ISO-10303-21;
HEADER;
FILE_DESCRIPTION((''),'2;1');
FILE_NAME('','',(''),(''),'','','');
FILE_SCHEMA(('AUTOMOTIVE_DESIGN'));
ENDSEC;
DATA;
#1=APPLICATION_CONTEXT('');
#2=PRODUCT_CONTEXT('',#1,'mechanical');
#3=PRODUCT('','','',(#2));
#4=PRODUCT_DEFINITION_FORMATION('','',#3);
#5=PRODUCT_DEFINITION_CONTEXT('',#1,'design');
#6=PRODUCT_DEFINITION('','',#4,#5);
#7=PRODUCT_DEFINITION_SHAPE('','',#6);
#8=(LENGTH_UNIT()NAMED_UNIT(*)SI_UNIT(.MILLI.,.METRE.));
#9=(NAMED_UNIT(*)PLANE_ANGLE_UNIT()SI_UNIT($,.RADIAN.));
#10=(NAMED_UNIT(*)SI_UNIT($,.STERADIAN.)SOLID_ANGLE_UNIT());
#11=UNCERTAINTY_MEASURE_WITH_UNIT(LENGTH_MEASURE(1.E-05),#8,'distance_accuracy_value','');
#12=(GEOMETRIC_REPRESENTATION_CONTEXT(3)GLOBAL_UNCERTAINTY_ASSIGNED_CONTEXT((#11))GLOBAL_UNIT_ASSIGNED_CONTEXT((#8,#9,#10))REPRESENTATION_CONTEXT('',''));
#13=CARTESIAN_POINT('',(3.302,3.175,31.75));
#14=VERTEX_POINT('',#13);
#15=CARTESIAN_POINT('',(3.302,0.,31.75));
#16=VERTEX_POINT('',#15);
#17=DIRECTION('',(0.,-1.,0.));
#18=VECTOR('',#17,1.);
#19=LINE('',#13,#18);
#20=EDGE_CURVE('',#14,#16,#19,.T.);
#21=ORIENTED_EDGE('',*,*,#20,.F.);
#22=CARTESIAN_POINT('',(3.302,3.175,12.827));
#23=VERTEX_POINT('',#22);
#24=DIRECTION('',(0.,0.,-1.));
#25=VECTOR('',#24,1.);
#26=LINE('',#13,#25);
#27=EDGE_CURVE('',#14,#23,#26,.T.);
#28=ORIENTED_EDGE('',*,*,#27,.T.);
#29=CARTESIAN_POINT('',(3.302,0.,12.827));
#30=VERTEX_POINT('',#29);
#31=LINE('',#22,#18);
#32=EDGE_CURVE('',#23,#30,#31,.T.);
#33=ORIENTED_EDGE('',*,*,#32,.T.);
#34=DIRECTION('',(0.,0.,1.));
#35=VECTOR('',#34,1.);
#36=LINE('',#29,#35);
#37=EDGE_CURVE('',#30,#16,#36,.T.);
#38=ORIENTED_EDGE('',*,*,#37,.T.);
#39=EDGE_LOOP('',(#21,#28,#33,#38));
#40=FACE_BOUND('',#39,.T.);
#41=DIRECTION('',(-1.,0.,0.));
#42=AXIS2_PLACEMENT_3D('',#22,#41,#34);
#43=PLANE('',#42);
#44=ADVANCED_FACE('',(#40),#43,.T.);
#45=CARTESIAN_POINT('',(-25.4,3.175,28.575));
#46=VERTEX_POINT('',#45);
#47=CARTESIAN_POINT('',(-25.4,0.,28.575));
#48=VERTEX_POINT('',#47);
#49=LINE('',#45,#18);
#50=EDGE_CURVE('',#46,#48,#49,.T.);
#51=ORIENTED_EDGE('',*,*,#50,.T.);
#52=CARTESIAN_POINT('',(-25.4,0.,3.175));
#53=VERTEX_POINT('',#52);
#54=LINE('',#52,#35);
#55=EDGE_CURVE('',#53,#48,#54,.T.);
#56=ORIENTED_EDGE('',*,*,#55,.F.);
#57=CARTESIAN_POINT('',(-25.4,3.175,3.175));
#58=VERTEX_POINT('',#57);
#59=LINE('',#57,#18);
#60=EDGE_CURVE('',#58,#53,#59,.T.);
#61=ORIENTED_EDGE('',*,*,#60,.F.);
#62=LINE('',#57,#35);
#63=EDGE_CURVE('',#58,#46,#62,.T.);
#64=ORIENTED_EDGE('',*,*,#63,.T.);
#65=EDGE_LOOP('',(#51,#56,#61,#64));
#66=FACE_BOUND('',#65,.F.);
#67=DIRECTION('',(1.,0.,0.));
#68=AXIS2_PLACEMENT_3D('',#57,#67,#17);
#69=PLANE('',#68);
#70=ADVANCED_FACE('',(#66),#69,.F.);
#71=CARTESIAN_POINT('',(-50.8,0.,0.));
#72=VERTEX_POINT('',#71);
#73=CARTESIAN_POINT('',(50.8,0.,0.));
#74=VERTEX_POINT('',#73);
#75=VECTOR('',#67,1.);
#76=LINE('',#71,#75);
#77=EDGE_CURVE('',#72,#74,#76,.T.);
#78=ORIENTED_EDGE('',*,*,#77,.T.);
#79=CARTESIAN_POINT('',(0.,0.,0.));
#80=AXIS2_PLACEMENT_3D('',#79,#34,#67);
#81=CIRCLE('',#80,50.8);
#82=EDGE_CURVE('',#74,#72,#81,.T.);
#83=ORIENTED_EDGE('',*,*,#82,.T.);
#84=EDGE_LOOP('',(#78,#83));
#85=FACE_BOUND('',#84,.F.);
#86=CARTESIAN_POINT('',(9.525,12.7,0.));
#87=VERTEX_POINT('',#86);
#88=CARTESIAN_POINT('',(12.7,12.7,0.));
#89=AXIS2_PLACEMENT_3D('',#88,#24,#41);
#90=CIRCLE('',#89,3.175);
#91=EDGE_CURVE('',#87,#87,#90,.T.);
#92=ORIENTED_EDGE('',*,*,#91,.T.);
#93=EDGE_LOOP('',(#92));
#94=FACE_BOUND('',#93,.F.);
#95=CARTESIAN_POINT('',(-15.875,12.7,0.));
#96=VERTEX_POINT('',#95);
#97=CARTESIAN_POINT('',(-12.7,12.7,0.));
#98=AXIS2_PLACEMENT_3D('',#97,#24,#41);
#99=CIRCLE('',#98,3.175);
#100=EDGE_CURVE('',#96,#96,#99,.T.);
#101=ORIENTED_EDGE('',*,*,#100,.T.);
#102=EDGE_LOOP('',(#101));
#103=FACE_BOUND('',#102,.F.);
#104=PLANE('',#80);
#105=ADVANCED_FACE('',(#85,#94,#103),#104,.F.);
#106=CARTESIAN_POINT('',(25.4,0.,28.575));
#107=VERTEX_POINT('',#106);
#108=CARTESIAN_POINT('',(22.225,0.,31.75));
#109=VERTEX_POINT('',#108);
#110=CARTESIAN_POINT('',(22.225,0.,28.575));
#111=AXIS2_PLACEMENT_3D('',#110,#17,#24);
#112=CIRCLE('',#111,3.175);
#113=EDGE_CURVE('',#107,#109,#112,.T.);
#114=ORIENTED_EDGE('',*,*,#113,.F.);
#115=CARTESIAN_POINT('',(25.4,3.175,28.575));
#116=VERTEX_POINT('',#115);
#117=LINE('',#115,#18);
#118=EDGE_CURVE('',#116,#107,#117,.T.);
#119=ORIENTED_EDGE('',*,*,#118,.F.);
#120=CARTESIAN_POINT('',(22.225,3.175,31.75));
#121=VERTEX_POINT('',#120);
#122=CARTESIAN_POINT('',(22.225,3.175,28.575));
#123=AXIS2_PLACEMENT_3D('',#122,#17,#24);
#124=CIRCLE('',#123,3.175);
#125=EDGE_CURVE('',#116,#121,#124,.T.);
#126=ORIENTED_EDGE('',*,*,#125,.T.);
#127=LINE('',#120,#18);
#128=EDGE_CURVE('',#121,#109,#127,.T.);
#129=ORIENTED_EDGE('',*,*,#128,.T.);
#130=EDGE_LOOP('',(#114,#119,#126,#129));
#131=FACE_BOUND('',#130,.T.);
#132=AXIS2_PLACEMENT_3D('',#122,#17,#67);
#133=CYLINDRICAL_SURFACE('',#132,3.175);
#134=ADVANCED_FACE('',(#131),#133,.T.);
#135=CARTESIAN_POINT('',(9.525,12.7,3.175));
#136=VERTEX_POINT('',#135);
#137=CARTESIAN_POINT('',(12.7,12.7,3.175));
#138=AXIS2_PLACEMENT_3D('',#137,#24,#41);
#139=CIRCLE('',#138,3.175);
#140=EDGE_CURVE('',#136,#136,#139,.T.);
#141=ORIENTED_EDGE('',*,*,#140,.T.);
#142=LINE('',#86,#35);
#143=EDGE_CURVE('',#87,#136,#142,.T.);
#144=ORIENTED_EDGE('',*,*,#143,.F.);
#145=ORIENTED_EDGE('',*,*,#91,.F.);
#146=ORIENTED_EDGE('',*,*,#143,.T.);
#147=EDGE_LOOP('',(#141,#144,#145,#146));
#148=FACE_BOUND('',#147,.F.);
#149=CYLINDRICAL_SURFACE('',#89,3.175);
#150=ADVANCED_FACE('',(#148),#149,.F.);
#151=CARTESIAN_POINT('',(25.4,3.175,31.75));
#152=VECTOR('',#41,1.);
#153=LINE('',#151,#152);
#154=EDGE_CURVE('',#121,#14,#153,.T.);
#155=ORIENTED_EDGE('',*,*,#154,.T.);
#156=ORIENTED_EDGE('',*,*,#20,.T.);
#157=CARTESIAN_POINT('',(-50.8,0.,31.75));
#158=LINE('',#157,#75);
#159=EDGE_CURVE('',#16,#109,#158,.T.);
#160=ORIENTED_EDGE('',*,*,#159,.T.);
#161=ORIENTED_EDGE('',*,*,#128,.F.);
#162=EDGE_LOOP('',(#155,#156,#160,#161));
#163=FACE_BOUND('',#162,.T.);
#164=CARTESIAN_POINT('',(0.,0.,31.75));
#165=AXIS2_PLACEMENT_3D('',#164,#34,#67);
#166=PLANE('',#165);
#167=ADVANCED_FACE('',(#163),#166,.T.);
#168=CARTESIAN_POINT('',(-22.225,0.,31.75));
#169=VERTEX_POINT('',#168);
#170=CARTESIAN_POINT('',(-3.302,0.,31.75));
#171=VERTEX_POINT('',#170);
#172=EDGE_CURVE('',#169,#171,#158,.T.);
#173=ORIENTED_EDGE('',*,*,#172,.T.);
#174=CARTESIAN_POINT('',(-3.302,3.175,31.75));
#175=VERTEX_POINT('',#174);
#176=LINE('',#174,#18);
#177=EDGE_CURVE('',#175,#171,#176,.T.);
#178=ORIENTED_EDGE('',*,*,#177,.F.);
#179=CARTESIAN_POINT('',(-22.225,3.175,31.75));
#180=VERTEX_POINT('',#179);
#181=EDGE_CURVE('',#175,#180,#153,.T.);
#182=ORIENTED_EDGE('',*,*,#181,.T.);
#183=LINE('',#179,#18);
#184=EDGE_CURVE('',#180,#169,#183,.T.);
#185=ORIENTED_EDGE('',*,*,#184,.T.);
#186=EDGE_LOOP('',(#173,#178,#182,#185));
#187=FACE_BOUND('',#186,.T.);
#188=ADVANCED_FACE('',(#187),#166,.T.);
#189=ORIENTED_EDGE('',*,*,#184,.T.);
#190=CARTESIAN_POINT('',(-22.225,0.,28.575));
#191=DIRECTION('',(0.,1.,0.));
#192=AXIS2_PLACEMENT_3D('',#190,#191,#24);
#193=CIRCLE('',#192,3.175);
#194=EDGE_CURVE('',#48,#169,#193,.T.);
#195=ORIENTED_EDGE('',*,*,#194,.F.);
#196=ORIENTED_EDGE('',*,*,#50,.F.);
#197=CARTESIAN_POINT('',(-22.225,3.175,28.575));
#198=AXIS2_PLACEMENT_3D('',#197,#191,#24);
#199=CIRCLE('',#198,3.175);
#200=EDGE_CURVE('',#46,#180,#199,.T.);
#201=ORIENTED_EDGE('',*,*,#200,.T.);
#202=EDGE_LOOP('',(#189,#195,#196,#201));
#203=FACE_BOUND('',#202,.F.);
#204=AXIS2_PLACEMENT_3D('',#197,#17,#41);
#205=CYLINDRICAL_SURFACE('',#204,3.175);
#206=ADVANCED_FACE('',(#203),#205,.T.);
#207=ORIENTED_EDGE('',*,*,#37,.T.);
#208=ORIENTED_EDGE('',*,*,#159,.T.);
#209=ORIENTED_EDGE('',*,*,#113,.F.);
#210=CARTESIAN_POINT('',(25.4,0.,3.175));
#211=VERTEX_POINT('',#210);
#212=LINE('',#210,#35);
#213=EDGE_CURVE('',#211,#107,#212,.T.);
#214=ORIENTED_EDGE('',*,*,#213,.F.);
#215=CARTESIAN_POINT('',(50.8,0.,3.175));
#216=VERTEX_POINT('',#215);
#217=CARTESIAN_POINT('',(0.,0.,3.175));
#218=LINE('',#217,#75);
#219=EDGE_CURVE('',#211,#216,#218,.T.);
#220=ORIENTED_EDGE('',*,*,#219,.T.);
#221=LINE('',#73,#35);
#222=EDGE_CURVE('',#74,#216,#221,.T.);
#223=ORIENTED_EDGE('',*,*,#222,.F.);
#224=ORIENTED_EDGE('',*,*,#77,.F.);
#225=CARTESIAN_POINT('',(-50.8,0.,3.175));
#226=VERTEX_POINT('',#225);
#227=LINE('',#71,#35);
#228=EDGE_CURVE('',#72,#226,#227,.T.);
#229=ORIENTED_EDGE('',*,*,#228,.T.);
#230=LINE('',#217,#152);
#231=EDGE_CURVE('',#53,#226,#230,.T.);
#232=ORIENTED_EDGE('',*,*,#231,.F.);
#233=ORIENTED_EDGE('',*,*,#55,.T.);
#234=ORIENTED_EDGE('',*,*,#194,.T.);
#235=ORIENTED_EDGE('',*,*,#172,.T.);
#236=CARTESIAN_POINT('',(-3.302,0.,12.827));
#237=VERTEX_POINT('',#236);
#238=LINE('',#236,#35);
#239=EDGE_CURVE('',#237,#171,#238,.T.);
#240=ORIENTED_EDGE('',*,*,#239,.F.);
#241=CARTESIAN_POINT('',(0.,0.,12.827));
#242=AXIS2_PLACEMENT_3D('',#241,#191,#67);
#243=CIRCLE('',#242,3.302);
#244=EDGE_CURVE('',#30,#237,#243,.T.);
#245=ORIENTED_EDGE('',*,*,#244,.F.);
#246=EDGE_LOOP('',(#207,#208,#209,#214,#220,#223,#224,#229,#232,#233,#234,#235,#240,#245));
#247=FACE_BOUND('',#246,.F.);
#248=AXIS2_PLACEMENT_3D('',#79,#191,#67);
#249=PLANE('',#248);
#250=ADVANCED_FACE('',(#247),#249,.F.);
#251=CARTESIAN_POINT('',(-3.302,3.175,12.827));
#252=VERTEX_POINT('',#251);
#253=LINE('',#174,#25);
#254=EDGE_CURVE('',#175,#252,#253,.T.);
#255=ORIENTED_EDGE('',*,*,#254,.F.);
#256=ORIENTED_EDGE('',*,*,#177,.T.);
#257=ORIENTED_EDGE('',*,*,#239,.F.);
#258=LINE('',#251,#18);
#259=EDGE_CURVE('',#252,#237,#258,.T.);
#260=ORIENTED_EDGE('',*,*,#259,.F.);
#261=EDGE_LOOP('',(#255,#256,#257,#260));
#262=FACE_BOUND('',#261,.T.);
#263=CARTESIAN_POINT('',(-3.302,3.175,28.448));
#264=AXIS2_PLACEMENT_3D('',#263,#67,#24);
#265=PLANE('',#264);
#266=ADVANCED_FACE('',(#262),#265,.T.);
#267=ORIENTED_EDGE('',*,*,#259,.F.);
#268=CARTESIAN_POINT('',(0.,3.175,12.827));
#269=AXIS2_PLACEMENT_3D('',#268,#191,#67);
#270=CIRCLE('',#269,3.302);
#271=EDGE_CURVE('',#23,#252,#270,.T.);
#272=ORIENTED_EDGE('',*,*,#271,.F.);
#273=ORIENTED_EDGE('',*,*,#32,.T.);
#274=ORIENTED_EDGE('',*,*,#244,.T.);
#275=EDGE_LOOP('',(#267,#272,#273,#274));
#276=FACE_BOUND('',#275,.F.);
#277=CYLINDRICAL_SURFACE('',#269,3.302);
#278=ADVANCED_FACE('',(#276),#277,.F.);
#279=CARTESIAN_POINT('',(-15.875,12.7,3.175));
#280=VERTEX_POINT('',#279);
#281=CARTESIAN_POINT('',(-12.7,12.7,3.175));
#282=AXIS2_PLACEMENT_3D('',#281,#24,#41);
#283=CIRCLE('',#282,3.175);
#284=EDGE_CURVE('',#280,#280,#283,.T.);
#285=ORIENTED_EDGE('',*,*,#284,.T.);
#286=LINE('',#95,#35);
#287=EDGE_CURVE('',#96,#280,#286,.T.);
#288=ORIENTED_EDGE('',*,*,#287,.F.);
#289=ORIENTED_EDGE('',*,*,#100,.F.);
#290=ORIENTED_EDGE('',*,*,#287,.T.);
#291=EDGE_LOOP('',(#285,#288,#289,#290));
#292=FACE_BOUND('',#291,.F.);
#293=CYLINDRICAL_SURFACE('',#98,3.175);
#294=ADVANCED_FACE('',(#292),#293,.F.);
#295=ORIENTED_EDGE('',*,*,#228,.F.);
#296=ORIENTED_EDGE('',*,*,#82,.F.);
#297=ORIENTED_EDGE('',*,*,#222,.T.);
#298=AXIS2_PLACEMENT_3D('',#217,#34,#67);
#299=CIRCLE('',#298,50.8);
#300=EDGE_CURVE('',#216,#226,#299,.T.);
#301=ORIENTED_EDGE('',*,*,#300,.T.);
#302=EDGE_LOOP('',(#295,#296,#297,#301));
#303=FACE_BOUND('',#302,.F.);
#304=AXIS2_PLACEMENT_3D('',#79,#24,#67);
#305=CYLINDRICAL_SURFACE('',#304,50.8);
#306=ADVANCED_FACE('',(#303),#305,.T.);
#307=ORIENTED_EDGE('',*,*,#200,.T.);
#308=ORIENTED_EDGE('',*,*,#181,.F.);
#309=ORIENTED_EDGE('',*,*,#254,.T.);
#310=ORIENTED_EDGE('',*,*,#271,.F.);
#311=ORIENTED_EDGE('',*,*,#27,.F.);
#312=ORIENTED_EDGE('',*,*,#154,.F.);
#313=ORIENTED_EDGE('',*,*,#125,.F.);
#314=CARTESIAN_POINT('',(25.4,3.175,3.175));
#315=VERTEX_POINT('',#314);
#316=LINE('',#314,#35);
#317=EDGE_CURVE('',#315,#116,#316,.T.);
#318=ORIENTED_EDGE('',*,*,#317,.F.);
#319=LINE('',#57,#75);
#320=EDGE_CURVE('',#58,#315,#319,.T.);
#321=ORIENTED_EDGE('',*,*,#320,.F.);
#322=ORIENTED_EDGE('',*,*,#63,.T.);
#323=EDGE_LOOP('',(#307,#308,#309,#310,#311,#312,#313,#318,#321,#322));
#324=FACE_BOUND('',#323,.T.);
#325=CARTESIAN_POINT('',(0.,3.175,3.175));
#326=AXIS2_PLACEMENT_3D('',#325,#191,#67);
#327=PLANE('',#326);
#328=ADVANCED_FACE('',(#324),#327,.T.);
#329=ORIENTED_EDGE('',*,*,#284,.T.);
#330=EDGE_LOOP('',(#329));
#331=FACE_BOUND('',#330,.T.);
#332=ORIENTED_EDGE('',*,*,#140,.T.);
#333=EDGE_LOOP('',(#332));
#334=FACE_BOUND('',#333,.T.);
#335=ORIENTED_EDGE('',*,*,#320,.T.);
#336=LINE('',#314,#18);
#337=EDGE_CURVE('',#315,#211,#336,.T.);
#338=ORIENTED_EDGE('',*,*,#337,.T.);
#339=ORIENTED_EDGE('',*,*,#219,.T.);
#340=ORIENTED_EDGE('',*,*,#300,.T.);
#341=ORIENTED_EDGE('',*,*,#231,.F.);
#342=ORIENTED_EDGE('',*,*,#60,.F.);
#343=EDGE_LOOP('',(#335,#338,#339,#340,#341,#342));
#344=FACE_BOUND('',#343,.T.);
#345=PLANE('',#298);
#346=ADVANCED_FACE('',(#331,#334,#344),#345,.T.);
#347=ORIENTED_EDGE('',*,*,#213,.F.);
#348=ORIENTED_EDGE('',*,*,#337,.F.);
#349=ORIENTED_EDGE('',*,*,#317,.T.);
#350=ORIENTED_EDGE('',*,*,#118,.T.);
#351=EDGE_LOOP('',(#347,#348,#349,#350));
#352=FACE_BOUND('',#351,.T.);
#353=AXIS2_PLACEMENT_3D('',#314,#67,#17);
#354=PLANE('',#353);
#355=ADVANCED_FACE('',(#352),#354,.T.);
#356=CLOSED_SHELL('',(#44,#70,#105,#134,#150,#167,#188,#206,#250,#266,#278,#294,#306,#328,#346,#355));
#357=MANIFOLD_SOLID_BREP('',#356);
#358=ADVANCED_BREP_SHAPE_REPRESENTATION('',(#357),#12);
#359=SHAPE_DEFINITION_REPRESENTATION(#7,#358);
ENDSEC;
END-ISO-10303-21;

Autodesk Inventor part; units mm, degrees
ref_plane "YZ Plane" through (0, 0, 0) normal (1, 0, 0) x (0, 1, 0)
ref_plane "XZ Plane" through (0, 0, 0) normal (0, 1, 0) x (-1, 0, 0)
ref_plane "XY Plane" through (0, 0, 0) normal (0, 0, 1) x (1, 0, 0)
sketch "Sketch1" plane through (0, 0, 0) normal (0, 0, 1) x (1, 0, 0)
  arc A0 (50.8, 0) -> (-50.8, 0) centre (0, 0) ccw
  line L0 (0, 0) -> (50.8, 0)
  line L1 (0, 0) -> (-50.8, 0)
  dimension "d0" = 101.6
extrude "Extrusion1" add sketch "Sketch1" along normal blind 3.175
sketch "Sketch2" plane through (0, 0, 3.175) normal (0, 0, 1) x (1, 0, 0)
  arc A0 (50.8, 0) -> (-50.8, 0) centre (0, 0) ccw projected
  arc A1 (50.8, 0) -> (-50.8, 0) centre (0, 0) ccw projected
  line L0 (-50.8, 0) -> (50.8, 0) projected
  line L1 (0, 3.175) -> (0, 0) construction
  line L2 (0, 3.175) -> (25.4, 3.175)
  line L3 (25.4, 3.175) -> (25.4, 0)
  line L4 (-50.8, 0) -> (50.8, 0) projected
  line L5 (0, 3.175) -> (-25.4, 3.175)
  line L6 (-25.4, 3.175) -> (-25.4, 0)
  dimension "d6" = 25.4
  dimension "d7" = 3.175
extrude "Extrusion2" add sketch "Sketch2" along normal blind 28.575 contours L0 L6 L5 L2 L3
fillet "Fillet1" radius 3.175 2 edges at (25.4, 1.5875, 31.75) (-25.4, 1.5875, 31.75)
sketch "Sketch3" plane through (-25.4, 3.175, 3.175) normal (0, 1, 0) x (1, 0, 0)
  line L0 (25.4, 3.175) -> (25.4, -28.575) construction
  line L1 (3.175, -28.575) -> (47.625, -28.575) construction
  line L2 (25.4, -28.575) -> (25.4, -6.35) construction
  line L3 (22.098, -25.273) -> (22.098, -9.652)
  line L4 (28.702, -9.652) -> (28.702, -25.273)
  arc A0 (22.098, -25.273) -> (28.702, -25.273) centre (25.4, -25.273) ccw
  arc A1 (28.702, -9.652) -> (22.098, -9.652) centre (25.4, -9.652) ccw
  line L5 (0, 0) -> (50.8, 0) projected
  line L6 (22.098, -25.273) -> (22.098, -28.575)
  line L7 (28.702, -25.273) -> (28.702, -28.575)
  line L8 (22.098, -28.575) -> (28.702, -28.575)
  point P0 (25.4, -17.4625)
  dimension "d11" = 6.35
  dimension "d12" = 6.604
extrude "Extrusion3" cut sketch "Sketch3" against normal up to surface (3.175 mm away)
sketch "Sketch4" plane through (0, 0, 0) normal (0, 0, -1) x (-1, 0, 0)
  line L0 (0, 0) -> (0, 12.7) construction
  line L1 (0, 12.7) -> (12.7, 12.7) construction
  circle A0 centre (12.7, 12.7) radius 3.175
  circle A1 centre (-12.7, 12.7) radius 3.175
  dimension "d15" = 12.7
  dimension "d16" = 12.7
  dimension "d17" = 6.35
extrude "Extrusion4" cut sketch "Sketch4" against normal up to surface (3.175 mm away)
properties part number "Front with Plate"
